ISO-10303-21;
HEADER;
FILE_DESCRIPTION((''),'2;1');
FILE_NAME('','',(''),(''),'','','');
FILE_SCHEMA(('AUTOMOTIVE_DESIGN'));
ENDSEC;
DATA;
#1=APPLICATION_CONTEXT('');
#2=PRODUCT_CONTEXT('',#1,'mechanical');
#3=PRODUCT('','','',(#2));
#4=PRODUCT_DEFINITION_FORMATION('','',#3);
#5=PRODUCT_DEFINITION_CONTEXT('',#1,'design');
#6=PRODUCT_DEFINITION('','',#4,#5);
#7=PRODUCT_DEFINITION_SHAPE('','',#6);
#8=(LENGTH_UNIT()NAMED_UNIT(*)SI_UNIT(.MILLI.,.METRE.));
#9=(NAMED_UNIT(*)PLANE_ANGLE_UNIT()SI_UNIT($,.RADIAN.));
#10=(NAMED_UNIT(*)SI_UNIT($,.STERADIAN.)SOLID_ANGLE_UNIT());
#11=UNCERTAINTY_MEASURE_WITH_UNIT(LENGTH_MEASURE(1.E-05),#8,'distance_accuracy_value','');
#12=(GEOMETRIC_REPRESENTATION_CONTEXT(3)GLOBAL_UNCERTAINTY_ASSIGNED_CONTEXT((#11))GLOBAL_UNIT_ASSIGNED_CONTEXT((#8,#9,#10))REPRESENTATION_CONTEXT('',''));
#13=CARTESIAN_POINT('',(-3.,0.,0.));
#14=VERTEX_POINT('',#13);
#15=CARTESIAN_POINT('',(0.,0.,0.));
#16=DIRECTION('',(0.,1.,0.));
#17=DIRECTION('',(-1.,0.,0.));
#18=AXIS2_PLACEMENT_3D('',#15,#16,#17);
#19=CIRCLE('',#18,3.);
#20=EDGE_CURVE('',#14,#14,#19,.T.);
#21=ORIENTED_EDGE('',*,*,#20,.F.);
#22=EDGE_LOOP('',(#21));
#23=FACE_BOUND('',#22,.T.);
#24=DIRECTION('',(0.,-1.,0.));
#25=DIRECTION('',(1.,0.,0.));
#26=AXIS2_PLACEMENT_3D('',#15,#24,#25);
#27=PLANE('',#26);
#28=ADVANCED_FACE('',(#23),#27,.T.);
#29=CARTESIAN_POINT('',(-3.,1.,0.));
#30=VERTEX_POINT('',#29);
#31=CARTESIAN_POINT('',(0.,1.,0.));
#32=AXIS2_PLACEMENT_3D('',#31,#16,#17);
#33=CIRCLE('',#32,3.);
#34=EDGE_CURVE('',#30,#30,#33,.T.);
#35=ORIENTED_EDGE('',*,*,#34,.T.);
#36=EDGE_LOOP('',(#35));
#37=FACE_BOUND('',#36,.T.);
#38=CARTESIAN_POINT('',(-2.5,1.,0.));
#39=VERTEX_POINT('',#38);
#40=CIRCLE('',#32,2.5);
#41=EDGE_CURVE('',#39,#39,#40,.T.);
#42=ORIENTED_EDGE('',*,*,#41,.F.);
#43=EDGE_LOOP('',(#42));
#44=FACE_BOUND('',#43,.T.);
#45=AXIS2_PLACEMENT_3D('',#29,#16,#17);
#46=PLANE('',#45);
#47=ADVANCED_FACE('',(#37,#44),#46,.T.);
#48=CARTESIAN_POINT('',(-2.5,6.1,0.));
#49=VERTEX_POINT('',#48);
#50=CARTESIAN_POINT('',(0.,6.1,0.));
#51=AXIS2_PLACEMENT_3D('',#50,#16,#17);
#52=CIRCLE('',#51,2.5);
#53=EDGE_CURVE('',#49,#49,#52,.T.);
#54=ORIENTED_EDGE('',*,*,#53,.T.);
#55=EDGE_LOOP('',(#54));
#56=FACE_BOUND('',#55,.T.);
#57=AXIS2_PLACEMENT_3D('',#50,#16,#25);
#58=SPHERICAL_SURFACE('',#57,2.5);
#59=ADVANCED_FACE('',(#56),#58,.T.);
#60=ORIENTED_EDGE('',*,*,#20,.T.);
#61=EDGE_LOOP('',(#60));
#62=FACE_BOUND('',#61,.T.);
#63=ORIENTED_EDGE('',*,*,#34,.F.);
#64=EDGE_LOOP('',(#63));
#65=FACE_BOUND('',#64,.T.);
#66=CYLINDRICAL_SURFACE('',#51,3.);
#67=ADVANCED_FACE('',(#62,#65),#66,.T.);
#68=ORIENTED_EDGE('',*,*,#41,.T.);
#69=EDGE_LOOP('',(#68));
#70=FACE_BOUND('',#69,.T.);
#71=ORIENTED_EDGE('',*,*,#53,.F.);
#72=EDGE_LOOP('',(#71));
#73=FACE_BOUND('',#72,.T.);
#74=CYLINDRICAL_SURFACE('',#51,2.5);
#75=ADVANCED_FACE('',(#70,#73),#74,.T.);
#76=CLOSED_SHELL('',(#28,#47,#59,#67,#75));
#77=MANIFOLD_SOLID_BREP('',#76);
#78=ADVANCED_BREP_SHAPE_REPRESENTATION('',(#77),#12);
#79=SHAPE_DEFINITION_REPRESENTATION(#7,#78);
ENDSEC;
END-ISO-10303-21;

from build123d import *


with BuildPart() as part:
    # Sketch1 → Revolve3 (revolve)
    with BuildSketch(Plane.XY):
        with BuildLine():
            Line((0, 0), (-3, 0))
            Line((-3, 0), (-3, 1))
            Line((-3, 1), (-2.5, 1))
            Line((-2.5, 1), (-2.5, 6.1))
            ThreePointArc((-2.5, 6.1), (-1.767766953, 7.867766953), (0, 8.6))
            Line((0, 8.6), (0, 6.1))
            Line((0, 6.1), (0, 0))
        make_face()
    revolve(axis=Axis((0, 6.1, 0), (0, -1, 0)))


solid = part.part
